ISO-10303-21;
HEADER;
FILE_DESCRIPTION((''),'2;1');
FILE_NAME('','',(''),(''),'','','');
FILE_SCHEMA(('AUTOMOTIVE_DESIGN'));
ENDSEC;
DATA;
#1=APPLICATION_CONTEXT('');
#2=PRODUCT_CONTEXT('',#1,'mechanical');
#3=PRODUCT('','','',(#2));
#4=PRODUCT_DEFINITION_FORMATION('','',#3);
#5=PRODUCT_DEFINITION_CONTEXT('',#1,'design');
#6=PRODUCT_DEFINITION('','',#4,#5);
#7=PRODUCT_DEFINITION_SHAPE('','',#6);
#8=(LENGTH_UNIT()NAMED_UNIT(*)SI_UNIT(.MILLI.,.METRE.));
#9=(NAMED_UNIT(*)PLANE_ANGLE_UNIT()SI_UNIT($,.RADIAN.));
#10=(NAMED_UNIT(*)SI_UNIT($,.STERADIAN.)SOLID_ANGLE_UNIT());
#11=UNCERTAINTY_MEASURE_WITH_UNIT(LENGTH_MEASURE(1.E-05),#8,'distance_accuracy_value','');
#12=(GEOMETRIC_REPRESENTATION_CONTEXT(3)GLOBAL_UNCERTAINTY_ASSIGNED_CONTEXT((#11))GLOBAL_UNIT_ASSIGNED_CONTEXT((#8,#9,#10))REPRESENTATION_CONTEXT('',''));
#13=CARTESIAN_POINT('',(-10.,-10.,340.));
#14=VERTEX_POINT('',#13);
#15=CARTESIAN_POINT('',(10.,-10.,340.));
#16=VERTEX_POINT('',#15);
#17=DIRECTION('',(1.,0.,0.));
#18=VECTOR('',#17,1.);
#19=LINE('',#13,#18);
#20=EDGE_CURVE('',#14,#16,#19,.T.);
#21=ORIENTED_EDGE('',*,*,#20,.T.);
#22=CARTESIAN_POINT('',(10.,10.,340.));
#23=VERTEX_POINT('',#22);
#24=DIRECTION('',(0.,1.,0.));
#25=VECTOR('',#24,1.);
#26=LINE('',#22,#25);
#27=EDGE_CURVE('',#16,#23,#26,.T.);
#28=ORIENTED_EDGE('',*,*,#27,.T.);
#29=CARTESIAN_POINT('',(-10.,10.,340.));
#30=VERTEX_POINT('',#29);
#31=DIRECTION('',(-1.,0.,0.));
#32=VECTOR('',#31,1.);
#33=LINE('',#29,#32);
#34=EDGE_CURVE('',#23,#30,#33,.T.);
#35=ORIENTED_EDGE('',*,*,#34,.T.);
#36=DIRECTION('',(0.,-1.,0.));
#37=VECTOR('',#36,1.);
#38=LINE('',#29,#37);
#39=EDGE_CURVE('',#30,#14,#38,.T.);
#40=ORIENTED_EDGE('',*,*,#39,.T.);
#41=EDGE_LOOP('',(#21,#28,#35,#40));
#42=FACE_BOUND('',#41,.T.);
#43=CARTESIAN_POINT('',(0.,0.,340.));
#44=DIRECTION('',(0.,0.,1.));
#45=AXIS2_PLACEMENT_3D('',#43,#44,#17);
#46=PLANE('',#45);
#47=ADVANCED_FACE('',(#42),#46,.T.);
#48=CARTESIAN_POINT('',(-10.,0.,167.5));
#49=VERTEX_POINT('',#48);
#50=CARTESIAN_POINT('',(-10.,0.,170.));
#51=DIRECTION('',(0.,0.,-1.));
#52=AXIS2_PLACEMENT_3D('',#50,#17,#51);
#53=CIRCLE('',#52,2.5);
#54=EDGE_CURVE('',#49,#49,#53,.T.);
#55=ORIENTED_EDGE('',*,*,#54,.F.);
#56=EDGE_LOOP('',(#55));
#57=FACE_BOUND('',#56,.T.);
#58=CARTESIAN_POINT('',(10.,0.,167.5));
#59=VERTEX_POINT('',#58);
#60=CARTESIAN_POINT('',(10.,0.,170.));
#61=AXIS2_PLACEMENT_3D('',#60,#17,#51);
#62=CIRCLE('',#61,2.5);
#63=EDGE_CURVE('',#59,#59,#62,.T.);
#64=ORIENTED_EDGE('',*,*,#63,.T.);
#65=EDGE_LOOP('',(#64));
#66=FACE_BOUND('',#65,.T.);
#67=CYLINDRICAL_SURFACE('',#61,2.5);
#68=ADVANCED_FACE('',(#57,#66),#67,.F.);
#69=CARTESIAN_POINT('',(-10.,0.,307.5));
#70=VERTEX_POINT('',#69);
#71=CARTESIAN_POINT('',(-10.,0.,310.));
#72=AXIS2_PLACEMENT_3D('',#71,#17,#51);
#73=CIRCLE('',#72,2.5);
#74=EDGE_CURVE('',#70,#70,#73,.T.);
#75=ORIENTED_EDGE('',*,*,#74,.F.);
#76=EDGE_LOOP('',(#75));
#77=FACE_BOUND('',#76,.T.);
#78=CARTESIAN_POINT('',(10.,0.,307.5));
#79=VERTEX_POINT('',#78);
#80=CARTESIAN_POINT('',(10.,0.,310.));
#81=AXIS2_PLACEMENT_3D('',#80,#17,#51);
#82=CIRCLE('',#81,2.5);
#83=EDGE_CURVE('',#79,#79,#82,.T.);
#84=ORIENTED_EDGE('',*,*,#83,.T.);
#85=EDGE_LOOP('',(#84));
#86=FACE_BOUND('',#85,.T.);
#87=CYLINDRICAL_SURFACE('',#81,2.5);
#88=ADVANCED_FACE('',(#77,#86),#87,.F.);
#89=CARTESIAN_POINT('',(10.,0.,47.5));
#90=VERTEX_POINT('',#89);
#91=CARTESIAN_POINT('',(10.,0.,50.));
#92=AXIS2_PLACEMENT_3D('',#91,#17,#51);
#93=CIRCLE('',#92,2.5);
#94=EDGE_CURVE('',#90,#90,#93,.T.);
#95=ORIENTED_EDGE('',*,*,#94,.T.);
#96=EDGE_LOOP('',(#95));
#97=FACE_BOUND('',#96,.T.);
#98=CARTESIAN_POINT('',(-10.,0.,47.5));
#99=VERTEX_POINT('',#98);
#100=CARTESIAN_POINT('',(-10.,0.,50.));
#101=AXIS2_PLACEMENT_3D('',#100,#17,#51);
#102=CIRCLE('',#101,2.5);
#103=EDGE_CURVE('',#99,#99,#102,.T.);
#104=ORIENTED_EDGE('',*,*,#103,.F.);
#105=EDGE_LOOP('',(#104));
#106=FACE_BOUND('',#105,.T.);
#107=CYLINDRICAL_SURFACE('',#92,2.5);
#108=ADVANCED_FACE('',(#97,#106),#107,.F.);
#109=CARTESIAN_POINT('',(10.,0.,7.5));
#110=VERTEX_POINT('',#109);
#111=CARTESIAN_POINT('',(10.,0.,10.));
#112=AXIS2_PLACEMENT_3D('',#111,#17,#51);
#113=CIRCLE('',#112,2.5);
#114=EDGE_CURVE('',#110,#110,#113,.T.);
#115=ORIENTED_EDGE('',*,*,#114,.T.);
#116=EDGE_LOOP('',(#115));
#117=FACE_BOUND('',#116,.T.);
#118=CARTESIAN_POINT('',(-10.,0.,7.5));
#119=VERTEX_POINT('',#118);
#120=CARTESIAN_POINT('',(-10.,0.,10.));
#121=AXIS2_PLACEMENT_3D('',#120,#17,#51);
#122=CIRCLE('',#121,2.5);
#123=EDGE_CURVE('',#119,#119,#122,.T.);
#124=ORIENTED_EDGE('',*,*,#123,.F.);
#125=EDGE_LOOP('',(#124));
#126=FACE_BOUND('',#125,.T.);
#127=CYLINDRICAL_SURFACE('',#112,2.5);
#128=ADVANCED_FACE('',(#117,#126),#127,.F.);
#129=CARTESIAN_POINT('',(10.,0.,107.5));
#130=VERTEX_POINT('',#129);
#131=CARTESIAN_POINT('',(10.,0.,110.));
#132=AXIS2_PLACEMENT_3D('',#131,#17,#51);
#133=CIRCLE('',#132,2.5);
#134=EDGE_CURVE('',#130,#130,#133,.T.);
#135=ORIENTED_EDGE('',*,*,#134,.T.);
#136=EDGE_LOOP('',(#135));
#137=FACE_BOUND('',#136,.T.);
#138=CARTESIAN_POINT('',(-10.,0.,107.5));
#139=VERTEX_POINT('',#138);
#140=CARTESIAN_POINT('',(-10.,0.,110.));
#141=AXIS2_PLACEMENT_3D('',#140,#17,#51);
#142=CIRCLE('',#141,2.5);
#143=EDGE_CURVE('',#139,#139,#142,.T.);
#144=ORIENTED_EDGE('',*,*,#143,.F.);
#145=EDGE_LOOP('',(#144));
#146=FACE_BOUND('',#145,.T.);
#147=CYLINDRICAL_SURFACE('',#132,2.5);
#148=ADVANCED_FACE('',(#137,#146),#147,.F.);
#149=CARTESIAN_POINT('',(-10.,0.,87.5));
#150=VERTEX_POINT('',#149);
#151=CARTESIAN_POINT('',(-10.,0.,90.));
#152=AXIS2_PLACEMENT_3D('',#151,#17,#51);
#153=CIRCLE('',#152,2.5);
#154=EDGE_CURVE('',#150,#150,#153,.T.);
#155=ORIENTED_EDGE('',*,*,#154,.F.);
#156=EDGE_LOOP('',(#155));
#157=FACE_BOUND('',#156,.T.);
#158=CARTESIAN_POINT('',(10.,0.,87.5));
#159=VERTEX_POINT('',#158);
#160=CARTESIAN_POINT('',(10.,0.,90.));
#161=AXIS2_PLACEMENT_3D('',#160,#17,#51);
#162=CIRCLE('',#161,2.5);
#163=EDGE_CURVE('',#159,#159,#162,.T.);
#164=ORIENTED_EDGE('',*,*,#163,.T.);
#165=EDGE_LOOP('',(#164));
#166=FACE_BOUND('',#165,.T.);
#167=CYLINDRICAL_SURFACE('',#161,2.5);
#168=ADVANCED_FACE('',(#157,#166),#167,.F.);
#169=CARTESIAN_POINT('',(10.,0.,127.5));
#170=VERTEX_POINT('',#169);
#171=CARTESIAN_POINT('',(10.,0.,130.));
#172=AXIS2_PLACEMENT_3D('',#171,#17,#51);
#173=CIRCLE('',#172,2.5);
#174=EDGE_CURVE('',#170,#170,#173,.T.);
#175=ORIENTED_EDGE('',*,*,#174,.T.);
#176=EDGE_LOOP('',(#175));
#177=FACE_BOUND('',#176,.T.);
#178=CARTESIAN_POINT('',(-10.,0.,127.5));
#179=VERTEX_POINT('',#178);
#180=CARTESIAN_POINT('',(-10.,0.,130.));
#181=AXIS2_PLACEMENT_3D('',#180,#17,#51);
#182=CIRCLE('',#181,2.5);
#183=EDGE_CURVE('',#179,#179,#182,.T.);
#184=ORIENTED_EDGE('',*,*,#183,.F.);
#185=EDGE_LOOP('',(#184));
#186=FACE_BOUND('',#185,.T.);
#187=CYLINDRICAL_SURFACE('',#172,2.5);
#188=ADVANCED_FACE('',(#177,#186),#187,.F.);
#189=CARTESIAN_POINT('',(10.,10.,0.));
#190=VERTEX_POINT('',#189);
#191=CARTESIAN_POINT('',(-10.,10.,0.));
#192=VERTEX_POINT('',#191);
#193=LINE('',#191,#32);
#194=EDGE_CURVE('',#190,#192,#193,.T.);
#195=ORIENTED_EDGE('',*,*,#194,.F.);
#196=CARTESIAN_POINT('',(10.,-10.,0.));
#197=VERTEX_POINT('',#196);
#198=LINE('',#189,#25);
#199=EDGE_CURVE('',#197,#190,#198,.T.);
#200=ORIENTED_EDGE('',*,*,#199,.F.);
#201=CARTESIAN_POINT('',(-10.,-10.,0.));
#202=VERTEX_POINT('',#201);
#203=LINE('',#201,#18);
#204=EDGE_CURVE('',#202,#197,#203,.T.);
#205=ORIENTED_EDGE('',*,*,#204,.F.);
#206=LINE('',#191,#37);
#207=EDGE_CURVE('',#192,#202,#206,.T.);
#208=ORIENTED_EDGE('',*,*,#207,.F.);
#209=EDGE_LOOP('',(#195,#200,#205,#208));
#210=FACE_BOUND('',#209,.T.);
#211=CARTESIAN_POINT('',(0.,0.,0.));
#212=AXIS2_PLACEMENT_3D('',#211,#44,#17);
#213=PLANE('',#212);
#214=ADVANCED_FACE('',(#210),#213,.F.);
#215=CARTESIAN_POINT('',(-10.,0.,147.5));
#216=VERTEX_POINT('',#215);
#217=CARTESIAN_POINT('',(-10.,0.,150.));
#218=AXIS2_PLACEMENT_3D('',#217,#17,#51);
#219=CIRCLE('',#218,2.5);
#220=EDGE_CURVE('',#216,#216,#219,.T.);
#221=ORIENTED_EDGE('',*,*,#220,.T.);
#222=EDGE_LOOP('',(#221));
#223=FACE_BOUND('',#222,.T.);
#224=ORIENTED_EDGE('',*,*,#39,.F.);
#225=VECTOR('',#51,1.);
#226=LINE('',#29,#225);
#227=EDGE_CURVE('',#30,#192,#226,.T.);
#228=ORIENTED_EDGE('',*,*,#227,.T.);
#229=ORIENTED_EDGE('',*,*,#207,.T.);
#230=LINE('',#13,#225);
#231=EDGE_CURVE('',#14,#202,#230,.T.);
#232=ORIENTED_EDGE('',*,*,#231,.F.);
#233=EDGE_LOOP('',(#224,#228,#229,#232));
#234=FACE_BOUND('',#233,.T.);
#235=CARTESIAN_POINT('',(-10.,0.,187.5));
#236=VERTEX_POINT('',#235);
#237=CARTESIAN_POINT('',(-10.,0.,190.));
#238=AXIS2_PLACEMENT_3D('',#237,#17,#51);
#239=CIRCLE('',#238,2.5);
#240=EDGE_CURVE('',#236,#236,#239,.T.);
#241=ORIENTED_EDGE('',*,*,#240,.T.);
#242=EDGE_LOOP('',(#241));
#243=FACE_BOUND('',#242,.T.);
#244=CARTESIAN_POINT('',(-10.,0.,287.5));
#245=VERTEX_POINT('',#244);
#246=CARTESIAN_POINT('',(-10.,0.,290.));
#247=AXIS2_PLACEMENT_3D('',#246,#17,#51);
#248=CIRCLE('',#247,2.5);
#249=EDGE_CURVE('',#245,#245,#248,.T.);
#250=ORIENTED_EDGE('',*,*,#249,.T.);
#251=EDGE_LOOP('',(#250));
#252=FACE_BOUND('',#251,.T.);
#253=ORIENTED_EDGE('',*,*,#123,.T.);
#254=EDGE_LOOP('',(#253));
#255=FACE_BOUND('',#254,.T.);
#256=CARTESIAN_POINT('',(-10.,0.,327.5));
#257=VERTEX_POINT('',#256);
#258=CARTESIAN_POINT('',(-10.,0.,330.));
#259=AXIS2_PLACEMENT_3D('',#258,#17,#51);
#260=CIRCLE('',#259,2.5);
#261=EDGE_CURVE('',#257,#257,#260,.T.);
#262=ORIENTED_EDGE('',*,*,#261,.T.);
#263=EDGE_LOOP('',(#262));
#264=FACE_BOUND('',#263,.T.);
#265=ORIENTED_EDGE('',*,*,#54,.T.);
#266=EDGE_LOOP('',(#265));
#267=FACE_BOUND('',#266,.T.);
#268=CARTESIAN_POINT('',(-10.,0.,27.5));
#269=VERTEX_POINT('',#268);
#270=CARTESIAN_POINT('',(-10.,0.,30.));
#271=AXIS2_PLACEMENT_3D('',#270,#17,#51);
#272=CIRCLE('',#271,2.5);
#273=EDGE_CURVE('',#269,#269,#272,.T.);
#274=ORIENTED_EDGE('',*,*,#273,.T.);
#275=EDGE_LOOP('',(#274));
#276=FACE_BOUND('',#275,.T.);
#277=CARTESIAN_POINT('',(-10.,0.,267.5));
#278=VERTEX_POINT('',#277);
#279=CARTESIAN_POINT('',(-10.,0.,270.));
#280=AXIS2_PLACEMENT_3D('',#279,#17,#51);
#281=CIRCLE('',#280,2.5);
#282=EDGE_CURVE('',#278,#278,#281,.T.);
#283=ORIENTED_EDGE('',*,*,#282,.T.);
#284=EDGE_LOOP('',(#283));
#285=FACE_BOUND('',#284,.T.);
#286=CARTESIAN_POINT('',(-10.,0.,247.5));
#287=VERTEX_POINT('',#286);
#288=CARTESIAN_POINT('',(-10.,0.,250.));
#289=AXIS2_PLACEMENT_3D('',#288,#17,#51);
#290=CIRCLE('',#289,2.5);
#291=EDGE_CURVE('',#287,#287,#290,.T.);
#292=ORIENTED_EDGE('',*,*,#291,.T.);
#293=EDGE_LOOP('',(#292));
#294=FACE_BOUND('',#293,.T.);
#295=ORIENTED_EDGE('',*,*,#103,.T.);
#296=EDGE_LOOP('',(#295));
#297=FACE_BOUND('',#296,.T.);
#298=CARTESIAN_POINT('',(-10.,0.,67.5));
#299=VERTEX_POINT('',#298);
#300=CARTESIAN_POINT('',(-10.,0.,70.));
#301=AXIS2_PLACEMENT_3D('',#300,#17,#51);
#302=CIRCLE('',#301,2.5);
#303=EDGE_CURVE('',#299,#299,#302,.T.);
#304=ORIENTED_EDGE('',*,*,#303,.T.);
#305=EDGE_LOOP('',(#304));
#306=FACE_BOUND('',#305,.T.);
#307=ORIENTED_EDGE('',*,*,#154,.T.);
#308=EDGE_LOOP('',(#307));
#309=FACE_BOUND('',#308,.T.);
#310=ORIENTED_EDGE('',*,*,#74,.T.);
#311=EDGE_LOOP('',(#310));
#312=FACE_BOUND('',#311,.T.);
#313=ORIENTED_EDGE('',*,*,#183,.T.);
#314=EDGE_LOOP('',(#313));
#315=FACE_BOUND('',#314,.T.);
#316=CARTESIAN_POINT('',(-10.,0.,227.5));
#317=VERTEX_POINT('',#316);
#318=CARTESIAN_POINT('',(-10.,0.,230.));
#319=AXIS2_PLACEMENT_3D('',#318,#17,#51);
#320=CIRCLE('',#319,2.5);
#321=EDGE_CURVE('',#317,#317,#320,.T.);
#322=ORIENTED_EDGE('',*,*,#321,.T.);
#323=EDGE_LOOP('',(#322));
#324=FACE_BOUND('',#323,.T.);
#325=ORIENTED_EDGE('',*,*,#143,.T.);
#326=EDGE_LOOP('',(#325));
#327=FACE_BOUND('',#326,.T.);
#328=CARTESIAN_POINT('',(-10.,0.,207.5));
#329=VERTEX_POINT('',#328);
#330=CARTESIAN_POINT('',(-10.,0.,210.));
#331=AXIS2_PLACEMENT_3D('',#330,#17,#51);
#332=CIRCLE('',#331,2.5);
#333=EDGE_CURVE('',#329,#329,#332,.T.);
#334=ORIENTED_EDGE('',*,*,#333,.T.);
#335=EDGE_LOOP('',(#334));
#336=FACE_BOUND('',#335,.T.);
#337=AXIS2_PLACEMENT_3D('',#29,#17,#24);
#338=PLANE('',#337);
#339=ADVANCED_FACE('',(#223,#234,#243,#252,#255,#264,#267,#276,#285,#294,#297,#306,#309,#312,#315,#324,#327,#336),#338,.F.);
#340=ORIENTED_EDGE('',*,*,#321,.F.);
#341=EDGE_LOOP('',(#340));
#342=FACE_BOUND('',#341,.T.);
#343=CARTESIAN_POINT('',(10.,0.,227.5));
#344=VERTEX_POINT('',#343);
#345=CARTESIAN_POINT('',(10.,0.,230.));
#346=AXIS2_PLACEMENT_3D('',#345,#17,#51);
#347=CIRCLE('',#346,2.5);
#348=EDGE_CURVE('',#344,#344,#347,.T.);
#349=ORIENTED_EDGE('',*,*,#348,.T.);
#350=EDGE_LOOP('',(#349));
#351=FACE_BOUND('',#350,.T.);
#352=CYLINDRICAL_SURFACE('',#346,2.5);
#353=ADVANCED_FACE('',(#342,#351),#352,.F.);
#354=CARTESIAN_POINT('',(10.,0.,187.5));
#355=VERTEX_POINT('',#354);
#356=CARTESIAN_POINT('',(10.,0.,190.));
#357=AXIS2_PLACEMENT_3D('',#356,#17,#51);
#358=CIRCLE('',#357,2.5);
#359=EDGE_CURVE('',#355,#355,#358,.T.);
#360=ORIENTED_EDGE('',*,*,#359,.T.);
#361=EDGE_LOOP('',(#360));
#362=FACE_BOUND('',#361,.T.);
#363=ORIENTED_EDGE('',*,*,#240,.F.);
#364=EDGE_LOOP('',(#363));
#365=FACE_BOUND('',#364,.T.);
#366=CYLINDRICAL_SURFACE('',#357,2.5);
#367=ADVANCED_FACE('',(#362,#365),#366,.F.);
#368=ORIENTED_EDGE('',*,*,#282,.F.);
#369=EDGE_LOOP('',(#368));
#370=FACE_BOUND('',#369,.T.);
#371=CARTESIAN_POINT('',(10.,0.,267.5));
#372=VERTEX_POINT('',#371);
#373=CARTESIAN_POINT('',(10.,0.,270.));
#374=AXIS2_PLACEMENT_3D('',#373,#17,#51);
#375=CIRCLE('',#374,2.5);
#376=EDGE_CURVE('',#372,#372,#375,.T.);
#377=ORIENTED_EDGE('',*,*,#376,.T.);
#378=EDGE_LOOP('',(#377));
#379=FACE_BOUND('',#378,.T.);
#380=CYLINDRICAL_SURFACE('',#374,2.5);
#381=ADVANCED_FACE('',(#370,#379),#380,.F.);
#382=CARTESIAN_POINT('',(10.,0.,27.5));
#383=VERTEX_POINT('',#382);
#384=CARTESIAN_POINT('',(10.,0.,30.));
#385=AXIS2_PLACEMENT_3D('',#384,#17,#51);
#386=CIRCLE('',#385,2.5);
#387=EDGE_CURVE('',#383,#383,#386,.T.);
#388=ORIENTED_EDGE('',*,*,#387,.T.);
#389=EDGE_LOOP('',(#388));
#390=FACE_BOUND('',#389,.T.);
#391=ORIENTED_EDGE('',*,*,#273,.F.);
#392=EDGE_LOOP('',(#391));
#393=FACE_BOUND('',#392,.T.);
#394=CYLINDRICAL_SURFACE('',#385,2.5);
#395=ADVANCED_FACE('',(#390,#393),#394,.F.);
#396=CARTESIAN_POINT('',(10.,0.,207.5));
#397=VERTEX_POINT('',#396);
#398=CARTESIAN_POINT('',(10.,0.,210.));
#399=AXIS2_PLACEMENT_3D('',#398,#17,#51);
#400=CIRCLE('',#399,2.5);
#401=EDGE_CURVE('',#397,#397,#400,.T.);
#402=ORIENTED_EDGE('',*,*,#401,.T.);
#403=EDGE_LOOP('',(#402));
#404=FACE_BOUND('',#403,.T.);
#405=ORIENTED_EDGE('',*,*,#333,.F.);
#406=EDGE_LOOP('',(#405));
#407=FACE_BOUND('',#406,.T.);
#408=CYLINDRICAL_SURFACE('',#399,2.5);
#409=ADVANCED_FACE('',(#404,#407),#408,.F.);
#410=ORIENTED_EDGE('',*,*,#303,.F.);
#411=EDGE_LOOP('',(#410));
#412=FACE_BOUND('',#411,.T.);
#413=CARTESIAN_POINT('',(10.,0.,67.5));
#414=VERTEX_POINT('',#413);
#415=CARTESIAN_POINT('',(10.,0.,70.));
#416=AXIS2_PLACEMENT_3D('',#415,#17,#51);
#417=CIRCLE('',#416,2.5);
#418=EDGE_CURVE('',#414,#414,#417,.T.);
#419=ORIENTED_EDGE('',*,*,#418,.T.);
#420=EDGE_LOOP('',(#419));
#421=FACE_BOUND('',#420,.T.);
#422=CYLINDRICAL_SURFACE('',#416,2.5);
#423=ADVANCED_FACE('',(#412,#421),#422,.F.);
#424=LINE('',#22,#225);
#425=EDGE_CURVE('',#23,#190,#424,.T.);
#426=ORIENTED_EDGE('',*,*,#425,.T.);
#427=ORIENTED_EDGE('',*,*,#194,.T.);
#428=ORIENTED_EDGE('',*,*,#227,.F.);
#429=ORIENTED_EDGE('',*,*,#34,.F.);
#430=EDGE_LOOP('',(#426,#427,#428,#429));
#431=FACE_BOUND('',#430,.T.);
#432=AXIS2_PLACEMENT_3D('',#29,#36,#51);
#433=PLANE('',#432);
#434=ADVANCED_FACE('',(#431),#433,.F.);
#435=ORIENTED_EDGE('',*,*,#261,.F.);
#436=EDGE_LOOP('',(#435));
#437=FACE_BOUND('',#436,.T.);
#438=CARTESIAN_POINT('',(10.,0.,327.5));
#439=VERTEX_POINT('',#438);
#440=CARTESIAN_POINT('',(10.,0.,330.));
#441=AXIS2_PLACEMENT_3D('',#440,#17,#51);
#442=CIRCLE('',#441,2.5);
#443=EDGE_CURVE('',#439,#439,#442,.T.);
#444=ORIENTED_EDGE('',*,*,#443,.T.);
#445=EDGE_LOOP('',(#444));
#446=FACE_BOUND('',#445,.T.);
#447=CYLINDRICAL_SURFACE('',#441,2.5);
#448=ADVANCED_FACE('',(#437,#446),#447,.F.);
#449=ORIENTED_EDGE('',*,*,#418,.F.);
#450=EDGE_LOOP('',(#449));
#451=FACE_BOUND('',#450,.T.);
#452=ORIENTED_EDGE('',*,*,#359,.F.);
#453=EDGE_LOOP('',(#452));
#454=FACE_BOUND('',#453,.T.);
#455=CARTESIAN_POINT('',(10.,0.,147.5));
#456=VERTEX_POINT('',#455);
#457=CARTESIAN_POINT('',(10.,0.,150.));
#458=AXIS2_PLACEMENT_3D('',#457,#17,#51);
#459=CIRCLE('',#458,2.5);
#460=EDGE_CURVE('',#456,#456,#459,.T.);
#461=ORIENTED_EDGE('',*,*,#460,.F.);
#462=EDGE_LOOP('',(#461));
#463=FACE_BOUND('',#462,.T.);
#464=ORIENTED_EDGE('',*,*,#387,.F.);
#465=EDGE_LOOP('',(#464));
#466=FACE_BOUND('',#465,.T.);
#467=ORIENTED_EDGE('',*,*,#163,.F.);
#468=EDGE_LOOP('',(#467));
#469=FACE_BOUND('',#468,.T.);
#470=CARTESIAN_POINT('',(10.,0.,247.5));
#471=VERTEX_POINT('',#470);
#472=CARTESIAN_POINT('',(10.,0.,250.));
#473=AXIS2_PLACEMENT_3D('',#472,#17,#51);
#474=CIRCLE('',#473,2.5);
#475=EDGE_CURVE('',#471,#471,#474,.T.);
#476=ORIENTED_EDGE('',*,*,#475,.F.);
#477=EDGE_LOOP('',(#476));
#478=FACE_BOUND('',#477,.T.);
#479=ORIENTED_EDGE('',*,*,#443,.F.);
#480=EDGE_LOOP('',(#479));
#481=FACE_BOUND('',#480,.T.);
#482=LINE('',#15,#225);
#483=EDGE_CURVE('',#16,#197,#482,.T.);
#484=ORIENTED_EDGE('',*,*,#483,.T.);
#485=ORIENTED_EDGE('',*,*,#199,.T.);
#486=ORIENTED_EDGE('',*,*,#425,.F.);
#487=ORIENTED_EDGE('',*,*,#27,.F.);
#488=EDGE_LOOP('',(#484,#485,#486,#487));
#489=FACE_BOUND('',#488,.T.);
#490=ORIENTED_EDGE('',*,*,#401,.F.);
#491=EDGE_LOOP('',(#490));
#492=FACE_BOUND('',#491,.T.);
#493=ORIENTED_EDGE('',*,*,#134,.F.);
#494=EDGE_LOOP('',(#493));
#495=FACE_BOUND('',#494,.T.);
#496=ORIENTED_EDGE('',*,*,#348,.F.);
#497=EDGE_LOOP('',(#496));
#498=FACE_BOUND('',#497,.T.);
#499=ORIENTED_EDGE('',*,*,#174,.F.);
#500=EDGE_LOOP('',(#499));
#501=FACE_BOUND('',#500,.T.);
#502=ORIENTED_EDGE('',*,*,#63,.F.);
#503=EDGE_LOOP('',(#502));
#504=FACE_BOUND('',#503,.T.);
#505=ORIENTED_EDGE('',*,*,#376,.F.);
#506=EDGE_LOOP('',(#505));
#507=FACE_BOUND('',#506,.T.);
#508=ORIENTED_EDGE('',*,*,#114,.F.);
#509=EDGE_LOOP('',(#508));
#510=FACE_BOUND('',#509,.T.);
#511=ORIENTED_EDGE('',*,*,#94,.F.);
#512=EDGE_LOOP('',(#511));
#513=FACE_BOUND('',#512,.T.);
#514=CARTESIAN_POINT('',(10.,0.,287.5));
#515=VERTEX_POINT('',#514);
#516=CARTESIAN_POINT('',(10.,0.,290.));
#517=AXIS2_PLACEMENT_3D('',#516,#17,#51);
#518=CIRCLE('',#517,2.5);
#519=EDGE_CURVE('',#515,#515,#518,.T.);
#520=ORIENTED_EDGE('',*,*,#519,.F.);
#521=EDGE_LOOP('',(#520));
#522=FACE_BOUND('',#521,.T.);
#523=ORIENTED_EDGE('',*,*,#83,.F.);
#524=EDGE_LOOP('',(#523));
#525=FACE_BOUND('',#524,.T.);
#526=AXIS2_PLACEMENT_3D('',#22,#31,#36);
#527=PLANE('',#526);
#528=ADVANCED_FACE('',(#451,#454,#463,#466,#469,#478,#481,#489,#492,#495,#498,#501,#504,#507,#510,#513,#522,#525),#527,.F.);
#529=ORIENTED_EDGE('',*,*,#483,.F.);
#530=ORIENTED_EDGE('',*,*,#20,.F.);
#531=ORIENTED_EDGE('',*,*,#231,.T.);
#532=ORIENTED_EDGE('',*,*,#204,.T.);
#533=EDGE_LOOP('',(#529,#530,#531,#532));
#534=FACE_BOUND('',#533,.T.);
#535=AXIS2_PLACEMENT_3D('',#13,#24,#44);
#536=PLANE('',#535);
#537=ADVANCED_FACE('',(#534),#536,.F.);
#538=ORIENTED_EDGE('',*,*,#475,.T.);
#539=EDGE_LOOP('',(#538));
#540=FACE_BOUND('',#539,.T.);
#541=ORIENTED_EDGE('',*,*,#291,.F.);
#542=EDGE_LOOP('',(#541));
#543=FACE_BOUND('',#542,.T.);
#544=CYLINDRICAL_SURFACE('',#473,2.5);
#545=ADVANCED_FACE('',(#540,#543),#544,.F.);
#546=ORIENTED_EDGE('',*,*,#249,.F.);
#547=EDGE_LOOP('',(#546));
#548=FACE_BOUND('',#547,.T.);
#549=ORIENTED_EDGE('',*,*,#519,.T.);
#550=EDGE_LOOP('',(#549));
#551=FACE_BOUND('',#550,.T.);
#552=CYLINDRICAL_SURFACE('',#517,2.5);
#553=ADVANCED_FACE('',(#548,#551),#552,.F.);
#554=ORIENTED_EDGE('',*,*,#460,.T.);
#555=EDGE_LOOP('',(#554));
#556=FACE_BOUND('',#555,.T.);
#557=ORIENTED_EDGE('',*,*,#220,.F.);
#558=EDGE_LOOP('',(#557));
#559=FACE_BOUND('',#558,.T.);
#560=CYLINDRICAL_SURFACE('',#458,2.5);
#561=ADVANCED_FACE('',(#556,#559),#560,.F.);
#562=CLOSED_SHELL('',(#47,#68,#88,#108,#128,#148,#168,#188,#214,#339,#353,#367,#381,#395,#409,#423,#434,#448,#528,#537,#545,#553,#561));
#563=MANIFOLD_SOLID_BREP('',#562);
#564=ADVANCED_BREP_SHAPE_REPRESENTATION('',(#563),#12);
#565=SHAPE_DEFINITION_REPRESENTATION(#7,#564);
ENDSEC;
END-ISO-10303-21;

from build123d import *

# Parameters (mm, degrees)
SKETCH1_W             = 20
SKETCH1_H             = 20
BOSS_EXTRUDE1_DEPTH   = 340
F_5_0MM_DOWEL_HOLE1_D = 5
LPATTERN2_COUNT       = 17
LPATTERN2_PITCH       = 20


with BuildPart() as part:
    # Sketch1 → Boss-Extrude1 (new body)
    with BuildSketch(Plane.XY):
        Rectangle(SKETCH1_W, SKETCH1_H)
    extrude(amount=BOSS_EXTRUDE1_DEPTH)

    # Ø5.0mm Dowel Hole1 (through all)
    with Locations(Plane(origin=(10, 0, 0), x_dir=(0, 0, -1), z_dir=(1, 0, 0))):
        with Locations((-10, 0)):
            f_5_0mm_dowel_hole1 = Hole(F_5_0MM_DOWEL_HOLE1_D / 2)

    # LPattern2: Ø5.0mm Dowel Hole1 ×17
    with Locations(*[(0, 0, i * LPATTERN2_PITCH) for i in range(1, LPATTERN2_COUNT)]):
        add(f_5_0mm_dowel_hole1, mode=Mode.SUBTRACT)


solid = part.part
